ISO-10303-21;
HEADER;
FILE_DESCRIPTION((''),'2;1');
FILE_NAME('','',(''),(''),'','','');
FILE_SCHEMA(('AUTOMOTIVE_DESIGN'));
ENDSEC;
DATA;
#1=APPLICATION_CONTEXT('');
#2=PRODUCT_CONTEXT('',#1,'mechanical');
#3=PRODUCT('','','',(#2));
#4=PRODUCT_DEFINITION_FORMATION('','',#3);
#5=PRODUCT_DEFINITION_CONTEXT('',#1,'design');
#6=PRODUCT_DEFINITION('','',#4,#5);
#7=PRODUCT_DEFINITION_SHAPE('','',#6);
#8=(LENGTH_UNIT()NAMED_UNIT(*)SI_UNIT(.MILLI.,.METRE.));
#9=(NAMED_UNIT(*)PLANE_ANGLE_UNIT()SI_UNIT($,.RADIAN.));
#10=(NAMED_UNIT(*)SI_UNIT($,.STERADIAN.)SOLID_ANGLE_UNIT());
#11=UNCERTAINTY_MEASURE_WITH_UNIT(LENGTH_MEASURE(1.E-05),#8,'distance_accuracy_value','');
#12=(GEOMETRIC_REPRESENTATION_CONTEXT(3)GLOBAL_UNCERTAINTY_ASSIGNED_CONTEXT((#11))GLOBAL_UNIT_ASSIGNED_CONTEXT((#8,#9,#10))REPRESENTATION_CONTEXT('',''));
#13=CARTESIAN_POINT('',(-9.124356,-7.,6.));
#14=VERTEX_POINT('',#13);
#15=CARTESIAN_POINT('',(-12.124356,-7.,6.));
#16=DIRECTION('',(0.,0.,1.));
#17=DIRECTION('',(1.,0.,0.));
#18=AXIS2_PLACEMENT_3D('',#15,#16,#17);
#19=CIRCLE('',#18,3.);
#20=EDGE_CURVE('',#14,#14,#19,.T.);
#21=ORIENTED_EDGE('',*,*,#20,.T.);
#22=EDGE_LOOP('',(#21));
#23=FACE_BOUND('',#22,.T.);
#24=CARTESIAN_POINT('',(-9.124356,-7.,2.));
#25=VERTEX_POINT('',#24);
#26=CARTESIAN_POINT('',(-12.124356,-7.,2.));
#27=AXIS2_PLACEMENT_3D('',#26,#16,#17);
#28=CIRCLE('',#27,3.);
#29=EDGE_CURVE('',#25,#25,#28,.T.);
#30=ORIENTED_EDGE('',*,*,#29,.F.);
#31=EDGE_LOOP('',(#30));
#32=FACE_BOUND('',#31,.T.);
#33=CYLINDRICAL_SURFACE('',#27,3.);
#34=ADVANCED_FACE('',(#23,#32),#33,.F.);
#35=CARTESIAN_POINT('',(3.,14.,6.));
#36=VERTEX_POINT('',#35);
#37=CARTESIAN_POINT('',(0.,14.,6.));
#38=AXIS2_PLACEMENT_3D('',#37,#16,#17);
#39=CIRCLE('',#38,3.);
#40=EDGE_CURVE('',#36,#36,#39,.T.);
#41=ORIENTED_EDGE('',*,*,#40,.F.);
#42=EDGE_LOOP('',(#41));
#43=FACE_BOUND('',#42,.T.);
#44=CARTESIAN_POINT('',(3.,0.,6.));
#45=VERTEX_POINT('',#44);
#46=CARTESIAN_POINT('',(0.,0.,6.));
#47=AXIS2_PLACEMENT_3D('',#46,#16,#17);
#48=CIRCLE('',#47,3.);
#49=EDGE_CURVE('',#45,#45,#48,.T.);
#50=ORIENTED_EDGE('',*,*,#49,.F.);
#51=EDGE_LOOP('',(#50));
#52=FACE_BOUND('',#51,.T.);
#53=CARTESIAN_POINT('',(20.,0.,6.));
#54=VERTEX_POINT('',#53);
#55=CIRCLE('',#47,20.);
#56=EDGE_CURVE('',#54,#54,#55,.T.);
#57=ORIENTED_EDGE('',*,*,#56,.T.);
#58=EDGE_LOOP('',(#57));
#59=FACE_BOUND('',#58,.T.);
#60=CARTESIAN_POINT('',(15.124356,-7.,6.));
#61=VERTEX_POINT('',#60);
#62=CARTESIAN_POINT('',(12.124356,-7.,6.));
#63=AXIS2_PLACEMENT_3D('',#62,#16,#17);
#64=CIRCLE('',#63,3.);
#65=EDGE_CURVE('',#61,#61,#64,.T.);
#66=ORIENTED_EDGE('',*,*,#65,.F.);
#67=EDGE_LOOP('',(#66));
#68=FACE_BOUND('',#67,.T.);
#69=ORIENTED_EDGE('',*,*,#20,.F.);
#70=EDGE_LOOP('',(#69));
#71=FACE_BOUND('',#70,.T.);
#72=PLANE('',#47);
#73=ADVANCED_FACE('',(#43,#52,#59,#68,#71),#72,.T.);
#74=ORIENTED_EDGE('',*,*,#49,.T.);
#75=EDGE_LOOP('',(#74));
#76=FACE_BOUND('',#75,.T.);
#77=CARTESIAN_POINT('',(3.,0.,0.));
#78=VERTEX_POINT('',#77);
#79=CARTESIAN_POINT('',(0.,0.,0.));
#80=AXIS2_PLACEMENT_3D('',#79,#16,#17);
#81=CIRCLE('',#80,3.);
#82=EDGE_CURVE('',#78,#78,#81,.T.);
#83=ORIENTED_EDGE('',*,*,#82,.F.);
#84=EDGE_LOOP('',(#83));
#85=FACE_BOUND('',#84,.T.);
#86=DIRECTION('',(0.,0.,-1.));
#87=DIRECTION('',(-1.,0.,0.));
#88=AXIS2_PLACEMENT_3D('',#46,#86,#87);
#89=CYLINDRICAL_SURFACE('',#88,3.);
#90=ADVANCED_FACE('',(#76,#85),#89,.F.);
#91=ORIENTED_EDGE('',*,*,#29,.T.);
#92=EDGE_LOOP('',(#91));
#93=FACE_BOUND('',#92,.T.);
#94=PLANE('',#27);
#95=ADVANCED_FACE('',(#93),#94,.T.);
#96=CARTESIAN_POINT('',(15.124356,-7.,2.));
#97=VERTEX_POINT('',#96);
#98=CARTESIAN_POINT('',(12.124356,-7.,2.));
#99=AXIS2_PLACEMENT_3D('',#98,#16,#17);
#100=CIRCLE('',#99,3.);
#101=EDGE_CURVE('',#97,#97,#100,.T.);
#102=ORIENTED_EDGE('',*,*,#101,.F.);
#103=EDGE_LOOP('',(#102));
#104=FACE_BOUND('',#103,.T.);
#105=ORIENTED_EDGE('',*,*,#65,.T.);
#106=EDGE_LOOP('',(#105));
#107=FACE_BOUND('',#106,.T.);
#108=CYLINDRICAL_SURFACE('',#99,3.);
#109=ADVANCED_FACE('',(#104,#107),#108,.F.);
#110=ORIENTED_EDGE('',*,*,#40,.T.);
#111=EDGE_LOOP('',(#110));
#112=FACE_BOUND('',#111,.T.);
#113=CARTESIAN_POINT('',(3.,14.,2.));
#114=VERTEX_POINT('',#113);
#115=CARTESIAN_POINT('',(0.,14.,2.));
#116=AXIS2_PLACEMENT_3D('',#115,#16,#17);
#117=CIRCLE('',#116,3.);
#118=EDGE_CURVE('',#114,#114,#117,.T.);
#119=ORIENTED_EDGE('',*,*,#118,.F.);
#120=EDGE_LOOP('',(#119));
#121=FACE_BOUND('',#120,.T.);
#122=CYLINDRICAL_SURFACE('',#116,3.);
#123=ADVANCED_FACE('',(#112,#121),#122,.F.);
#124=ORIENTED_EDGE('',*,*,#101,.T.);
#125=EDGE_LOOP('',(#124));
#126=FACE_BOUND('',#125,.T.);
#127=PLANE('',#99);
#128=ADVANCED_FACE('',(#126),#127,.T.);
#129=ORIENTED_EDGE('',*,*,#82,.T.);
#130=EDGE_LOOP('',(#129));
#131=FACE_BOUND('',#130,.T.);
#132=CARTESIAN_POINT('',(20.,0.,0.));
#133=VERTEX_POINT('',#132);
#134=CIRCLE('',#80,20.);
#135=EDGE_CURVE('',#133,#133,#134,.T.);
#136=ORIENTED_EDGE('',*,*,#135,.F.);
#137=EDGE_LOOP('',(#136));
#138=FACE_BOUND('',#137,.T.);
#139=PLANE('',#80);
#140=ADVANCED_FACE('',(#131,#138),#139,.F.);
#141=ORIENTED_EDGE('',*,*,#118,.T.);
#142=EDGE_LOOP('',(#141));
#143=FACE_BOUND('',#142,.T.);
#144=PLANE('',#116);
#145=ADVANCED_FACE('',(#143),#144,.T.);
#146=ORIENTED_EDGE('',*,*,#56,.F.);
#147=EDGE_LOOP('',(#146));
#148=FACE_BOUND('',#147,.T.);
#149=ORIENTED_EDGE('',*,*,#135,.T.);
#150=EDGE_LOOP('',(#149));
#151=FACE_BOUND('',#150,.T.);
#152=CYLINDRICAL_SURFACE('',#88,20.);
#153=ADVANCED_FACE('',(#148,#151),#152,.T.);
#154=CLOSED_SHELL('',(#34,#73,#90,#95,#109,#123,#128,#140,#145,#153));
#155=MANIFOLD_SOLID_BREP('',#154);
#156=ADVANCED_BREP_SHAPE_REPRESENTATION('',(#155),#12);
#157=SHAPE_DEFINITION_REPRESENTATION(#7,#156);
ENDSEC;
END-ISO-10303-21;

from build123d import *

# Parameters (mm, degrees)
ESQUISSE1_R             = 20
ESQUISSE1_R_2           = 3
EXTRUSION1_DEPTH        = 6
ESQUISSE2_R             = 3
ENL_V_MAT_EXTRU_1_DEPTH = 4


with BuildPart() as part:
    # Esquisse1 → Extrusion1 (new body)
    with BuildSketch(Plane.XY):
        Circle(ESQUISSE1_R)
        Circle(ESQUISSE1_R_2, mode=Mode.SUBTRACT)
    extrude(amount=EXTRUSION1_DEPTH)

    # Esquisse2 → Enlèv. mat.-Extru.1 (cut)
    with BuildSketch(Plane.XY.offset(6)):
        with Locations((0, 14)):
            Circle(ESQUISSE2_R)
        with Locations((12.124355653, -7)):
            Circle(ESQUISSE2_R)
        with Locations((-12.124355653, -7)):
            Circle(ESQUISSE2_R)
    extrude(amount=-ENL_V_MAT_EXTRU_1_DEPTH, mode=Mode.SUBTRACT)


solid = part.part
